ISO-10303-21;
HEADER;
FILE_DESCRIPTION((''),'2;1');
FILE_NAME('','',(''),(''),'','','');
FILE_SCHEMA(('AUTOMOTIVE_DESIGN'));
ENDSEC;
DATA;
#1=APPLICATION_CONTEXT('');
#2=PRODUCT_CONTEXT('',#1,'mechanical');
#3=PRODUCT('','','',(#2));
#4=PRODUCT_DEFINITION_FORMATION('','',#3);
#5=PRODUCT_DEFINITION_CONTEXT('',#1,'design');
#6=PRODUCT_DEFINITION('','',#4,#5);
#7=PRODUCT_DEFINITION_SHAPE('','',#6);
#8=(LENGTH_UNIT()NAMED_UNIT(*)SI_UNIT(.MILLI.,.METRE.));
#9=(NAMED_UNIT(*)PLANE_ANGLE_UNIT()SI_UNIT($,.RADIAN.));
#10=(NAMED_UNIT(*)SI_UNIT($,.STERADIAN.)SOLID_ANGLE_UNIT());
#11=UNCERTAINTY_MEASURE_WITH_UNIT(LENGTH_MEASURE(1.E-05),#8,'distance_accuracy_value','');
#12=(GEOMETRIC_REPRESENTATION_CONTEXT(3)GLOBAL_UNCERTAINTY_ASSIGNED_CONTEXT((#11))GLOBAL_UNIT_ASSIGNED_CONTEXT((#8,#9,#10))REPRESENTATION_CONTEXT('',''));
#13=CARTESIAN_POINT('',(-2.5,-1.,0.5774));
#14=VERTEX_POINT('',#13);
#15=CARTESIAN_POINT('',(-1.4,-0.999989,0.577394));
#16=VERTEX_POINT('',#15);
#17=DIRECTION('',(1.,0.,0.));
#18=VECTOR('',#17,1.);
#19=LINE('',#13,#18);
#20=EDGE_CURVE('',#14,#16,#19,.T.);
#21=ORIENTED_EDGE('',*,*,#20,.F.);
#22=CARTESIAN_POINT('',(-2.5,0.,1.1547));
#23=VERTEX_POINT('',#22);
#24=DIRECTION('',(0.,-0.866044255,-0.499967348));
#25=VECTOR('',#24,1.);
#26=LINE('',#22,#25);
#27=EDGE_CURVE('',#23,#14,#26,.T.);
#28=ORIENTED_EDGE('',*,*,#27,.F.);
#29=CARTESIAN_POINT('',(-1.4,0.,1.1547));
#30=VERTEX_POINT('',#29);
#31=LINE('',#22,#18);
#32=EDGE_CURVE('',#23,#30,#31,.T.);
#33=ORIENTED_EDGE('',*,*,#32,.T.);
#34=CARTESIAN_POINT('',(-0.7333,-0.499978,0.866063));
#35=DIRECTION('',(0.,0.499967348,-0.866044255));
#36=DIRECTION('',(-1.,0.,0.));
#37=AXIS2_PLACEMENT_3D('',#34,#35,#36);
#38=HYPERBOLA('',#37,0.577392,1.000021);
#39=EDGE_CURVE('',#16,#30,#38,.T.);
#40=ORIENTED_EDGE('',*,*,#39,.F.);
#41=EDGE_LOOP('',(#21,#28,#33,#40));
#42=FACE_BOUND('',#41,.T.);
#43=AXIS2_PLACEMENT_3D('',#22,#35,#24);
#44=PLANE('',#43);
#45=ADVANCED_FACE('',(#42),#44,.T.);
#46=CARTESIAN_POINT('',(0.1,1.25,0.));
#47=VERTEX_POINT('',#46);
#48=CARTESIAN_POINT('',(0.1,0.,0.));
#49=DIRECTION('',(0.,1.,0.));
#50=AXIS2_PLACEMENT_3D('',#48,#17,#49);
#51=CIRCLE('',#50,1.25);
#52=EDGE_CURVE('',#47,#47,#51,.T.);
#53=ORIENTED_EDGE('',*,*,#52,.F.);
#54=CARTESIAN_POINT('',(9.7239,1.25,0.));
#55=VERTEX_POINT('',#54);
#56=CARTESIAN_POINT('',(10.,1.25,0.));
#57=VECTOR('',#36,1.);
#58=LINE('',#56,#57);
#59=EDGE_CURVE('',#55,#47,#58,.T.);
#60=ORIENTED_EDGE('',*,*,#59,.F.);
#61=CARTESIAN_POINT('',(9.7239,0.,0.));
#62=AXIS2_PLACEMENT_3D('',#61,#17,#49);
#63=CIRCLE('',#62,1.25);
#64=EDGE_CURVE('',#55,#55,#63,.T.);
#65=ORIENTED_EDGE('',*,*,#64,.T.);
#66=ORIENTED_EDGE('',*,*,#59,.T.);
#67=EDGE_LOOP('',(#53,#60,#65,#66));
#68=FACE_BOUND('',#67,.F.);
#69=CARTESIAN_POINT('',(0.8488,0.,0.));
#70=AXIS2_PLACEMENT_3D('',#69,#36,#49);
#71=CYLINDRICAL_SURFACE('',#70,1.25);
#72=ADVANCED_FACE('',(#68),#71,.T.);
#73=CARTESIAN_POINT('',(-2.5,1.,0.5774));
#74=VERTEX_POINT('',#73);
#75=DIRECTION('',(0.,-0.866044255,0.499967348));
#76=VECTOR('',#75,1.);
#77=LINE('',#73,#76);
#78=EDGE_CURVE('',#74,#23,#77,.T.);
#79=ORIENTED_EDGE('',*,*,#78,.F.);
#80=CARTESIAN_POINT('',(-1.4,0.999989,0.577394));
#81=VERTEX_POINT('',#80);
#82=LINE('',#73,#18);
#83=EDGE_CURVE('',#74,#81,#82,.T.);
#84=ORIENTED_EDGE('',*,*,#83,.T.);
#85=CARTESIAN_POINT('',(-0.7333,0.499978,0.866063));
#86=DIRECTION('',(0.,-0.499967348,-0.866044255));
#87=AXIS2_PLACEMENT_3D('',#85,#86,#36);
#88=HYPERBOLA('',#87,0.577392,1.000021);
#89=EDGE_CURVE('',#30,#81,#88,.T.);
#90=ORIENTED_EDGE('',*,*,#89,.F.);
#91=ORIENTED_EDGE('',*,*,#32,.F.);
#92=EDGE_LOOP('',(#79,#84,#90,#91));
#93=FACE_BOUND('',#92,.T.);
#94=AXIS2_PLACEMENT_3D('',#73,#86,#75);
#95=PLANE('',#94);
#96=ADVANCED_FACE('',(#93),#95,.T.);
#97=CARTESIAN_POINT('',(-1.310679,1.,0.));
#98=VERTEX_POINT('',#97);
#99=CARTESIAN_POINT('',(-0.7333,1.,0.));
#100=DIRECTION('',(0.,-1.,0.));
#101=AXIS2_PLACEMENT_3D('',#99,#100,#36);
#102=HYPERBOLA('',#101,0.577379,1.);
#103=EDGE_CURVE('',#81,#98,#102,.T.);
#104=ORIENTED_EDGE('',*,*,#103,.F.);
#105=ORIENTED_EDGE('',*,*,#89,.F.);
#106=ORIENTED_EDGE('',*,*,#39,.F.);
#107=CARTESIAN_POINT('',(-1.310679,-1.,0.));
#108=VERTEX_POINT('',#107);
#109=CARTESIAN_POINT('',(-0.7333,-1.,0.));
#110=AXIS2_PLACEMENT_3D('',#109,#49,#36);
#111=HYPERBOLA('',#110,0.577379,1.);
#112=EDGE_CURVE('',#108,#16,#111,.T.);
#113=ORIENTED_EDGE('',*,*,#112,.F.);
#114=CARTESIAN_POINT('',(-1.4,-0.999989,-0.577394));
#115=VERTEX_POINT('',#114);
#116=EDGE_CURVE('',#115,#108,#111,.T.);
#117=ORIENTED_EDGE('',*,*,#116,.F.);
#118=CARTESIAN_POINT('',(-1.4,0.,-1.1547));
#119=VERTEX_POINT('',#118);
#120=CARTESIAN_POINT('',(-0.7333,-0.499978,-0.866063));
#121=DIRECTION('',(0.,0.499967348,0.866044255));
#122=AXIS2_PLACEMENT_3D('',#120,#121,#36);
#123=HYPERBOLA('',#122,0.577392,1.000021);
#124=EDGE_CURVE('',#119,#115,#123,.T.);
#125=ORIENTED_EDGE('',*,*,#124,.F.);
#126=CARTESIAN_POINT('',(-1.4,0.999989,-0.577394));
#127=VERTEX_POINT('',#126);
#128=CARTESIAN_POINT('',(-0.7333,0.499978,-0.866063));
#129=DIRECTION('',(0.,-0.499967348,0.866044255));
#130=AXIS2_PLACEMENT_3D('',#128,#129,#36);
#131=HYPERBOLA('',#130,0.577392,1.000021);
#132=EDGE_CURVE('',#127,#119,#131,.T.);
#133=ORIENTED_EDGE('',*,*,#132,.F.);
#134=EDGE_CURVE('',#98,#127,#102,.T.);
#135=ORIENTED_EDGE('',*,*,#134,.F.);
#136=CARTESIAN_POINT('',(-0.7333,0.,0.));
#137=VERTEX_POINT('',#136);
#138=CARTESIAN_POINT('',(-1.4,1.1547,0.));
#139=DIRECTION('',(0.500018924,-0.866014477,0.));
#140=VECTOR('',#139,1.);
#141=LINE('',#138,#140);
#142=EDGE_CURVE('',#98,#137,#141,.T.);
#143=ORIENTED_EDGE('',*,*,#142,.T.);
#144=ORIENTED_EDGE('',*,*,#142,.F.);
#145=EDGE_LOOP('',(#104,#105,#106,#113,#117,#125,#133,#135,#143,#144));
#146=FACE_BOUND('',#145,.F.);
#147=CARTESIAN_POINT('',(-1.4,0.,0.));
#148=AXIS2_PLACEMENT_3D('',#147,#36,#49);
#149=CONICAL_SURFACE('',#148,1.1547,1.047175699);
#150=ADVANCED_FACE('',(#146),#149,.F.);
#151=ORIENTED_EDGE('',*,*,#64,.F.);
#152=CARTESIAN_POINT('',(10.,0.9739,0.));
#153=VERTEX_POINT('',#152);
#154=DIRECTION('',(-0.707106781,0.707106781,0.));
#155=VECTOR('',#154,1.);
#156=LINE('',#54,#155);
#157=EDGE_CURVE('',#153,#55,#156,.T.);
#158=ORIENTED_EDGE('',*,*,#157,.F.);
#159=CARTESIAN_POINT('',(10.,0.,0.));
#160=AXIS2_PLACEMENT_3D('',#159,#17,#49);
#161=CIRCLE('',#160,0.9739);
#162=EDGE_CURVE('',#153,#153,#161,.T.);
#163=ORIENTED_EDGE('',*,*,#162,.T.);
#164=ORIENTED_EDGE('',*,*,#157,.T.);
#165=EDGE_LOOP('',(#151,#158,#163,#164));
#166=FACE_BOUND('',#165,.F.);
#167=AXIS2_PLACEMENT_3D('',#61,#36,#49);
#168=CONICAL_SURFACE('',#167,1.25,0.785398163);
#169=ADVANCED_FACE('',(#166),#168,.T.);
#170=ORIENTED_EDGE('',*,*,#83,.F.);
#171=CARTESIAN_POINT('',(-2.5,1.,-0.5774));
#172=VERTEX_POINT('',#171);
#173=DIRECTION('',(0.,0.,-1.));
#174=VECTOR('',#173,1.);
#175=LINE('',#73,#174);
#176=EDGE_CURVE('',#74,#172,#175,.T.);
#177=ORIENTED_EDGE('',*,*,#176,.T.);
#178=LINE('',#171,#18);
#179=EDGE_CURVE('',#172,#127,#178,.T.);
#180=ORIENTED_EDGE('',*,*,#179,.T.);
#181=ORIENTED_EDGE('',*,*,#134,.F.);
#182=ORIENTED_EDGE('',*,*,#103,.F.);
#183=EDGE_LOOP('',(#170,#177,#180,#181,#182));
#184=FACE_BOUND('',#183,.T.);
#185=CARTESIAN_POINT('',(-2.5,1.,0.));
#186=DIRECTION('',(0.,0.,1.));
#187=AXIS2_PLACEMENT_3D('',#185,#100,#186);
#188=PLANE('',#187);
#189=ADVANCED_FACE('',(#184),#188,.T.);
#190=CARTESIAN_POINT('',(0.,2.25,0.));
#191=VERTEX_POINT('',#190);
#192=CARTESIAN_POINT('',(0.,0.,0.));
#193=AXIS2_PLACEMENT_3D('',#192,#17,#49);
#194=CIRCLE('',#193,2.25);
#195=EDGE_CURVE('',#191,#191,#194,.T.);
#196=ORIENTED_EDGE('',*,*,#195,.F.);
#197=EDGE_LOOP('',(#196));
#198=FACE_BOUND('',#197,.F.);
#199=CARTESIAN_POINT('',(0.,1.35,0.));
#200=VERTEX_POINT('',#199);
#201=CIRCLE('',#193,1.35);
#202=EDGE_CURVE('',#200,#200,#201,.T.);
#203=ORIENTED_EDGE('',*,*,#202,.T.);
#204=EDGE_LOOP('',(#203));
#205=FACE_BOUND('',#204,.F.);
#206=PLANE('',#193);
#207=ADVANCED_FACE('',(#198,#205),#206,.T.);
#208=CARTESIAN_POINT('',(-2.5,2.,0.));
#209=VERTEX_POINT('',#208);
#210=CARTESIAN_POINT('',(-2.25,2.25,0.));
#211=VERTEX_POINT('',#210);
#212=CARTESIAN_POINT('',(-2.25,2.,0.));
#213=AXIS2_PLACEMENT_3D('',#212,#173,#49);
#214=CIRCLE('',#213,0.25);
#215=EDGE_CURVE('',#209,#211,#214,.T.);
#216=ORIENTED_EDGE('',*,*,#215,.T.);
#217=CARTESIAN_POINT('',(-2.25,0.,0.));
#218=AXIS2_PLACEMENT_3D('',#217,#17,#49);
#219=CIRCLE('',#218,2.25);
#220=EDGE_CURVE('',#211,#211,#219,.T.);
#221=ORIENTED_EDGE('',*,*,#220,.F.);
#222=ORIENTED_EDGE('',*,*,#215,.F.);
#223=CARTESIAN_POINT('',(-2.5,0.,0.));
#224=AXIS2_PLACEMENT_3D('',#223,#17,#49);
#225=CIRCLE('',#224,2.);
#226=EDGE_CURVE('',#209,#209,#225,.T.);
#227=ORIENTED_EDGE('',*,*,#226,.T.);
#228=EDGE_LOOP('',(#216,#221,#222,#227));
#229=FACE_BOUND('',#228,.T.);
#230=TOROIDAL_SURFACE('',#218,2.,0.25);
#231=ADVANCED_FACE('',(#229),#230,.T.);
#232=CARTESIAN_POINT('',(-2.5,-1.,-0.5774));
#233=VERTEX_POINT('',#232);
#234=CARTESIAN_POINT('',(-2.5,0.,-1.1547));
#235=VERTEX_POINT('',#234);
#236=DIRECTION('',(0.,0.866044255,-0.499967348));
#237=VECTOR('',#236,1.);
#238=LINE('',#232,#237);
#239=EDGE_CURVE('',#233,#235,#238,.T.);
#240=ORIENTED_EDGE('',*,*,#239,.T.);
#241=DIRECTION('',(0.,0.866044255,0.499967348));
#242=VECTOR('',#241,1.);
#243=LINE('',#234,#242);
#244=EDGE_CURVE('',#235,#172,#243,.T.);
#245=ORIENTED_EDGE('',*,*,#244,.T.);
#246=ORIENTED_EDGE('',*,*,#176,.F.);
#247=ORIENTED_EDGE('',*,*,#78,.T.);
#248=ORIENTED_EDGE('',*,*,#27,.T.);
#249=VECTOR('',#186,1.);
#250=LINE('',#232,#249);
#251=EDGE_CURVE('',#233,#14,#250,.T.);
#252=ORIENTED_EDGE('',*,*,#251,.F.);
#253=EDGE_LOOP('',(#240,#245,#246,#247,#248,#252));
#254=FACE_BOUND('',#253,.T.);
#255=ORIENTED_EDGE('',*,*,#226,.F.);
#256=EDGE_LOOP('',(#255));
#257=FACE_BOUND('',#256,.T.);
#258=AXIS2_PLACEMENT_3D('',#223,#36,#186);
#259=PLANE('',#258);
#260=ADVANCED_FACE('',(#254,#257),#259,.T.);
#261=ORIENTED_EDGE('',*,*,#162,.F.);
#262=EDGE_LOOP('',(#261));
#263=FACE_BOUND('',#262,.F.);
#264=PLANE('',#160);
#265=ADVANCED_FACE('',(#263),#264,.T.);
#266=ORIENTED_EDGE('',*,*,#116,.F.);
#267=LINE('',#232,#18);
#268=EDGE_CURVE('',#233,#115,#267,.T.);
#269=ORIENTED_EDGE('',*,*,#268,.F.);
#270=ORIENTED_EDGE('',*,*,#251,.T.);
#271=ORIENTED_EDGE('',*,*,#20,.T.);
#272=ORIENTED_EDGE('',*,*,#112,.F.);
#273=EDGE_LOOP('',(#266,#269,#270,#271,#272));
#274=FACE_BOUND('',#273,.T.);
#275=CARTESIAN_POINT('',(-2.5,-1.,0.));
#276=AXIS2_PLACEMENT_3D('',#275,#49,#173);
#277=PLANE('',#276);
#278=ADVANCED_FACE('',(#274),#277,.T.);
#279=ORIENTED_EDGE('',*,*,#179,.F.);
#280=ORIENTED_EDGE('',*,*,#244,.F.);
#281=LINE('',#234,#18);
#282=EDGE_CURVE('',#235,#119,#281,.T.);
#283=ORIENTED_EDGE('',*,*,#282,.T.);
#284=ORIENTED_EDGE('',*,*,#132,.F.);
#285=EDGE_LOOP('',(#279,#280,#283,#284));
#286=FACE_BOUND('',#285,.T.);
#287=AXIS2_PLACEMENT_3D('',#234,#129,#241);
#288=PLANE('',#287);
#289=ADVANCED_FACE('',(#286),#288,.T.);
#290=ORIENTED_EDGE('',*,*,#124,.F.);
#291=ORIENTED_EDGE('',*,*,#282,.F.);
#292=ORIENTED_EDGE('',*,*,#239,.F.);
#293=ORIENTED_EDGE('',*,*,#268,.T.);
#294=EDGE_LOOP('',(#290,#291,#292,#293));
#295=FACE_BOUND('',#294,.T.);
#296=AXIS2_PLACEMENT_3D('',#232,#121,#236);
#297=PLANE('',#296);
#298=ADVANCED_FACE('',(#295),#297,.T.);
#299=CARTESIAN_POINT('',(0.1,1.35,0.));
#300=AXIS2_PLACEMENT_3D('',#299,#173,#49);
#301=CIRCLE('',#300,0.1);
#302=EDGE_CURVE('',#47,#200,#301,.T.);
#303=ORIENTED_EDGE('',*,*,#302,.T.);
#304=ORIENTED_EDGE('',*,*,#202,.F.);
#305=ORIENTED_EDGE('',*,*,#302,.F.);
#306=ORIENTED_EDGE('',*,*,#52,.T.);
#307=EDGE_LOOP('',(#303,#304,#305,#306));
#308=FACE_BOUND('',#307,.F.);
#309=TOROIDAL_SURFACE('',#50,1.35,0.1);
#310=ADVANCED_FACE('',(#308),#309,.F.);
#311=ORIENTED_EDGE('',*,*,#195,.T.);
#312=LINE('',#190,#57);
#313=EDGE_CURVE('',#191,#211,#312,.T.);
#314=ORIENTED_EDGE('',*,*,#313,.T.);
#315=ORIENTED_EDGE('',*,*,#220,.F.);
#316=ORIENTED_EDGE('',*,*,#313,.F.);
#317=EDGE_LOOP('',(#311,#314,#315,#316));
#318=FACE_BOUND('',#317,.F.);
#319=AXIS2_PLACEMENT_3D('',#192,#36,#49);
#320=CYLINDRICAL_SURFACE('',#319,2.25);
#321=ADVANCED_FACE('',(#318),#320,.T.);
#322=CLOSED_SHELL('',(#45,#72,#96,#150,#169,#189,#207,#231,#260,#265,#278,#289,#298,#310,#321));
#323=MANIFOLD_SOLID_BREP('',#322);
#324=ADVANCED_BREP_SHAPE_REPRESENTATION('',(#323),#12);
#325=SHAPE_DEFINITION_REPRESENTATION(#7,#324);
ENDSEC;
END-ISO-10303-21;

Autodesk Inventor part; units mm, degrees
ref_plane "YZ Plane" through (0, 0, 0) normal (1, 0, 0) x (0, 1, 0)
ref_plane "XZ Plane" through (0, 0, 0) normal (0, 1, 0) x (-1, 0, 0)
sketch "Szkic1" plane through (0, 0, 0) normal (0, 0, 1) x (1, 0, 0)
  line L0 (-0.7333, 0) -> (10, 0)
  line L1 (10, 0) -> (10, 1.25)
  line L2 (10, 1.25) -> (1.125, 1.25)
  line L3 (1.125, 1.25) -> (0.8488, 1.25)
  line L4 (0.8488, 1.25) -> (0, 1.25)
  line L5 (0, 1.25) -> (0, 2.25)
  line L6 (0, 2.25) -> (-2.5, 2.25)
  line L7 (-2.5, 2.25) -> (-2.5, 1.1547)
  line L8 (-2.5, 1.1547) -> (-1.4, 1.1547)
  line L9 (-1.4, 1.1547) -> (-0.7333, 0)
  line L10 (-5, 0) -> (12.5, 0) projected
  line L11 (0, -0.45) -> (0, 2.7) projected
  line L12 (1.125, 1.25) -> (0, 1.25) construction
  dimension "d1" = 8.875
  dimension "d2" = 0.2762
  dimension "d3" = 2.5
  dimension "d4" = 1.1
  dimension "d5" = 60
  dimension "d6" = 2.5
  dimension "d7" = 2.5
  dimension "d8" = 2.3094
  dimension "d9" = 4.5
  dimension "d26" = 10
revolve "Bryła" add sketch "Szkic1" angle 360 about axis through (-0.7333, 0, 0) along (1, 0, 0)
sketch "Szkic2" plane through (-2.5, 0, 0) normal (-1, 0, 0) x (0, 0, 1)
  circle A0 centre (0, 0) radius 1.1547 projected
  line L0 (0, -3.15) -> (0, 3.15) projected
  line L1 (-3.15, 0) -> (3.15, 0) projected
  line L2 (1.1547, 0) -> (0.5774, -1)
  line L3 (0.5774, -1) -> (-0.5774, -1)
  line L4 (-0.5774, -1) -> (-1.1547, 0)
  line L5 (-1.1547, 0) -> (-0.5774, 1)
  line L6 (-0.5774, 1) -> (0.5774, 1)
  line L7 (0.5774, 1) -> (1.1547, 0)
extrude "Szczelina" add sketch "Szkic2" against normal up to next contours L7 A0 | A0 L2 | L6 L0 A0 | A0 L0 L3 | L0 L6 A0 | A0 L3 L0 | L4 A0 | A0 L5
fillet "Zaokrąglenie1" radius 0.25 1 edges at (-2.5, -2.25, 0)
thread "Gwint" size "M2.5x0.45" class "6g" standard "ISO Metric profile" length 8.875
chamfer "Faza1" distance 0.2761 distance2 0.2761 1 edges at (10, -1.25, 0) measured on face at (10, -0.2714, -0.6096)
ref_plane "Work Plane1" through (29, 0, 0) normal (0, -1, 0) x (1, 0, 0)
fillet "Fillet2" radius 0.1 1 edges at (0, -1.25, 0)
equation "\"d1\" = GEL"
equation "\"d3\" = KOH"
equation "\"d4\" = INTI"
equation "\"d6\" = GD"
equation "\"d7\" = BDM"
equation "\"d8\" = 1.1547 * SW"
equation "\"d9\" = KOD"
equation "\"d26\" = NLG"
equation "\"d30\" = R"
equation "\"d17\" = RR"
equation "\"d13\" = GEL"
equation "\"d15\" = -0.5 * SPD + 0.5 * GD"
equation "\"d16\" = GUL"
equation "\"GD\" = NND"
equation "\"NLG\" = 10"
equation "\"GEL\" = 8.875"
equation "\"KOD\" = 4.5"
equation "\"KOH\" = 2.5"
equation "\"INTI\" = 1.1"
equation "\"GAL\" = 0.61345 * PTC"
equation "\"GUL\" = 0.61345 * PTC"
equation "\"BDM\" = NND"
equation "\"SW\" = 2"
equation "\"RR\" = 0.25"
equation "\"SPD\" = NND - 1.2269 * PTC"
equation "\"R\" = 0.1"
equation "\"TOA\" = 30deg"
equation "\"GD1\" = THREADDIA - 1.2269 * PTC"
equation "\"THREADDIA\" = 2.5"
equation "\"FAWI\" = 45deg"
equation "\"ANG\" = 120deg"
equation "\"PTC\" = 0.45"
equation "\"NND\" = 2.5"
equation "\"E0\" = 1.155 * SW"
properties part number "DIN 912 - M2,5 x 10" material "Stal, miękka"
